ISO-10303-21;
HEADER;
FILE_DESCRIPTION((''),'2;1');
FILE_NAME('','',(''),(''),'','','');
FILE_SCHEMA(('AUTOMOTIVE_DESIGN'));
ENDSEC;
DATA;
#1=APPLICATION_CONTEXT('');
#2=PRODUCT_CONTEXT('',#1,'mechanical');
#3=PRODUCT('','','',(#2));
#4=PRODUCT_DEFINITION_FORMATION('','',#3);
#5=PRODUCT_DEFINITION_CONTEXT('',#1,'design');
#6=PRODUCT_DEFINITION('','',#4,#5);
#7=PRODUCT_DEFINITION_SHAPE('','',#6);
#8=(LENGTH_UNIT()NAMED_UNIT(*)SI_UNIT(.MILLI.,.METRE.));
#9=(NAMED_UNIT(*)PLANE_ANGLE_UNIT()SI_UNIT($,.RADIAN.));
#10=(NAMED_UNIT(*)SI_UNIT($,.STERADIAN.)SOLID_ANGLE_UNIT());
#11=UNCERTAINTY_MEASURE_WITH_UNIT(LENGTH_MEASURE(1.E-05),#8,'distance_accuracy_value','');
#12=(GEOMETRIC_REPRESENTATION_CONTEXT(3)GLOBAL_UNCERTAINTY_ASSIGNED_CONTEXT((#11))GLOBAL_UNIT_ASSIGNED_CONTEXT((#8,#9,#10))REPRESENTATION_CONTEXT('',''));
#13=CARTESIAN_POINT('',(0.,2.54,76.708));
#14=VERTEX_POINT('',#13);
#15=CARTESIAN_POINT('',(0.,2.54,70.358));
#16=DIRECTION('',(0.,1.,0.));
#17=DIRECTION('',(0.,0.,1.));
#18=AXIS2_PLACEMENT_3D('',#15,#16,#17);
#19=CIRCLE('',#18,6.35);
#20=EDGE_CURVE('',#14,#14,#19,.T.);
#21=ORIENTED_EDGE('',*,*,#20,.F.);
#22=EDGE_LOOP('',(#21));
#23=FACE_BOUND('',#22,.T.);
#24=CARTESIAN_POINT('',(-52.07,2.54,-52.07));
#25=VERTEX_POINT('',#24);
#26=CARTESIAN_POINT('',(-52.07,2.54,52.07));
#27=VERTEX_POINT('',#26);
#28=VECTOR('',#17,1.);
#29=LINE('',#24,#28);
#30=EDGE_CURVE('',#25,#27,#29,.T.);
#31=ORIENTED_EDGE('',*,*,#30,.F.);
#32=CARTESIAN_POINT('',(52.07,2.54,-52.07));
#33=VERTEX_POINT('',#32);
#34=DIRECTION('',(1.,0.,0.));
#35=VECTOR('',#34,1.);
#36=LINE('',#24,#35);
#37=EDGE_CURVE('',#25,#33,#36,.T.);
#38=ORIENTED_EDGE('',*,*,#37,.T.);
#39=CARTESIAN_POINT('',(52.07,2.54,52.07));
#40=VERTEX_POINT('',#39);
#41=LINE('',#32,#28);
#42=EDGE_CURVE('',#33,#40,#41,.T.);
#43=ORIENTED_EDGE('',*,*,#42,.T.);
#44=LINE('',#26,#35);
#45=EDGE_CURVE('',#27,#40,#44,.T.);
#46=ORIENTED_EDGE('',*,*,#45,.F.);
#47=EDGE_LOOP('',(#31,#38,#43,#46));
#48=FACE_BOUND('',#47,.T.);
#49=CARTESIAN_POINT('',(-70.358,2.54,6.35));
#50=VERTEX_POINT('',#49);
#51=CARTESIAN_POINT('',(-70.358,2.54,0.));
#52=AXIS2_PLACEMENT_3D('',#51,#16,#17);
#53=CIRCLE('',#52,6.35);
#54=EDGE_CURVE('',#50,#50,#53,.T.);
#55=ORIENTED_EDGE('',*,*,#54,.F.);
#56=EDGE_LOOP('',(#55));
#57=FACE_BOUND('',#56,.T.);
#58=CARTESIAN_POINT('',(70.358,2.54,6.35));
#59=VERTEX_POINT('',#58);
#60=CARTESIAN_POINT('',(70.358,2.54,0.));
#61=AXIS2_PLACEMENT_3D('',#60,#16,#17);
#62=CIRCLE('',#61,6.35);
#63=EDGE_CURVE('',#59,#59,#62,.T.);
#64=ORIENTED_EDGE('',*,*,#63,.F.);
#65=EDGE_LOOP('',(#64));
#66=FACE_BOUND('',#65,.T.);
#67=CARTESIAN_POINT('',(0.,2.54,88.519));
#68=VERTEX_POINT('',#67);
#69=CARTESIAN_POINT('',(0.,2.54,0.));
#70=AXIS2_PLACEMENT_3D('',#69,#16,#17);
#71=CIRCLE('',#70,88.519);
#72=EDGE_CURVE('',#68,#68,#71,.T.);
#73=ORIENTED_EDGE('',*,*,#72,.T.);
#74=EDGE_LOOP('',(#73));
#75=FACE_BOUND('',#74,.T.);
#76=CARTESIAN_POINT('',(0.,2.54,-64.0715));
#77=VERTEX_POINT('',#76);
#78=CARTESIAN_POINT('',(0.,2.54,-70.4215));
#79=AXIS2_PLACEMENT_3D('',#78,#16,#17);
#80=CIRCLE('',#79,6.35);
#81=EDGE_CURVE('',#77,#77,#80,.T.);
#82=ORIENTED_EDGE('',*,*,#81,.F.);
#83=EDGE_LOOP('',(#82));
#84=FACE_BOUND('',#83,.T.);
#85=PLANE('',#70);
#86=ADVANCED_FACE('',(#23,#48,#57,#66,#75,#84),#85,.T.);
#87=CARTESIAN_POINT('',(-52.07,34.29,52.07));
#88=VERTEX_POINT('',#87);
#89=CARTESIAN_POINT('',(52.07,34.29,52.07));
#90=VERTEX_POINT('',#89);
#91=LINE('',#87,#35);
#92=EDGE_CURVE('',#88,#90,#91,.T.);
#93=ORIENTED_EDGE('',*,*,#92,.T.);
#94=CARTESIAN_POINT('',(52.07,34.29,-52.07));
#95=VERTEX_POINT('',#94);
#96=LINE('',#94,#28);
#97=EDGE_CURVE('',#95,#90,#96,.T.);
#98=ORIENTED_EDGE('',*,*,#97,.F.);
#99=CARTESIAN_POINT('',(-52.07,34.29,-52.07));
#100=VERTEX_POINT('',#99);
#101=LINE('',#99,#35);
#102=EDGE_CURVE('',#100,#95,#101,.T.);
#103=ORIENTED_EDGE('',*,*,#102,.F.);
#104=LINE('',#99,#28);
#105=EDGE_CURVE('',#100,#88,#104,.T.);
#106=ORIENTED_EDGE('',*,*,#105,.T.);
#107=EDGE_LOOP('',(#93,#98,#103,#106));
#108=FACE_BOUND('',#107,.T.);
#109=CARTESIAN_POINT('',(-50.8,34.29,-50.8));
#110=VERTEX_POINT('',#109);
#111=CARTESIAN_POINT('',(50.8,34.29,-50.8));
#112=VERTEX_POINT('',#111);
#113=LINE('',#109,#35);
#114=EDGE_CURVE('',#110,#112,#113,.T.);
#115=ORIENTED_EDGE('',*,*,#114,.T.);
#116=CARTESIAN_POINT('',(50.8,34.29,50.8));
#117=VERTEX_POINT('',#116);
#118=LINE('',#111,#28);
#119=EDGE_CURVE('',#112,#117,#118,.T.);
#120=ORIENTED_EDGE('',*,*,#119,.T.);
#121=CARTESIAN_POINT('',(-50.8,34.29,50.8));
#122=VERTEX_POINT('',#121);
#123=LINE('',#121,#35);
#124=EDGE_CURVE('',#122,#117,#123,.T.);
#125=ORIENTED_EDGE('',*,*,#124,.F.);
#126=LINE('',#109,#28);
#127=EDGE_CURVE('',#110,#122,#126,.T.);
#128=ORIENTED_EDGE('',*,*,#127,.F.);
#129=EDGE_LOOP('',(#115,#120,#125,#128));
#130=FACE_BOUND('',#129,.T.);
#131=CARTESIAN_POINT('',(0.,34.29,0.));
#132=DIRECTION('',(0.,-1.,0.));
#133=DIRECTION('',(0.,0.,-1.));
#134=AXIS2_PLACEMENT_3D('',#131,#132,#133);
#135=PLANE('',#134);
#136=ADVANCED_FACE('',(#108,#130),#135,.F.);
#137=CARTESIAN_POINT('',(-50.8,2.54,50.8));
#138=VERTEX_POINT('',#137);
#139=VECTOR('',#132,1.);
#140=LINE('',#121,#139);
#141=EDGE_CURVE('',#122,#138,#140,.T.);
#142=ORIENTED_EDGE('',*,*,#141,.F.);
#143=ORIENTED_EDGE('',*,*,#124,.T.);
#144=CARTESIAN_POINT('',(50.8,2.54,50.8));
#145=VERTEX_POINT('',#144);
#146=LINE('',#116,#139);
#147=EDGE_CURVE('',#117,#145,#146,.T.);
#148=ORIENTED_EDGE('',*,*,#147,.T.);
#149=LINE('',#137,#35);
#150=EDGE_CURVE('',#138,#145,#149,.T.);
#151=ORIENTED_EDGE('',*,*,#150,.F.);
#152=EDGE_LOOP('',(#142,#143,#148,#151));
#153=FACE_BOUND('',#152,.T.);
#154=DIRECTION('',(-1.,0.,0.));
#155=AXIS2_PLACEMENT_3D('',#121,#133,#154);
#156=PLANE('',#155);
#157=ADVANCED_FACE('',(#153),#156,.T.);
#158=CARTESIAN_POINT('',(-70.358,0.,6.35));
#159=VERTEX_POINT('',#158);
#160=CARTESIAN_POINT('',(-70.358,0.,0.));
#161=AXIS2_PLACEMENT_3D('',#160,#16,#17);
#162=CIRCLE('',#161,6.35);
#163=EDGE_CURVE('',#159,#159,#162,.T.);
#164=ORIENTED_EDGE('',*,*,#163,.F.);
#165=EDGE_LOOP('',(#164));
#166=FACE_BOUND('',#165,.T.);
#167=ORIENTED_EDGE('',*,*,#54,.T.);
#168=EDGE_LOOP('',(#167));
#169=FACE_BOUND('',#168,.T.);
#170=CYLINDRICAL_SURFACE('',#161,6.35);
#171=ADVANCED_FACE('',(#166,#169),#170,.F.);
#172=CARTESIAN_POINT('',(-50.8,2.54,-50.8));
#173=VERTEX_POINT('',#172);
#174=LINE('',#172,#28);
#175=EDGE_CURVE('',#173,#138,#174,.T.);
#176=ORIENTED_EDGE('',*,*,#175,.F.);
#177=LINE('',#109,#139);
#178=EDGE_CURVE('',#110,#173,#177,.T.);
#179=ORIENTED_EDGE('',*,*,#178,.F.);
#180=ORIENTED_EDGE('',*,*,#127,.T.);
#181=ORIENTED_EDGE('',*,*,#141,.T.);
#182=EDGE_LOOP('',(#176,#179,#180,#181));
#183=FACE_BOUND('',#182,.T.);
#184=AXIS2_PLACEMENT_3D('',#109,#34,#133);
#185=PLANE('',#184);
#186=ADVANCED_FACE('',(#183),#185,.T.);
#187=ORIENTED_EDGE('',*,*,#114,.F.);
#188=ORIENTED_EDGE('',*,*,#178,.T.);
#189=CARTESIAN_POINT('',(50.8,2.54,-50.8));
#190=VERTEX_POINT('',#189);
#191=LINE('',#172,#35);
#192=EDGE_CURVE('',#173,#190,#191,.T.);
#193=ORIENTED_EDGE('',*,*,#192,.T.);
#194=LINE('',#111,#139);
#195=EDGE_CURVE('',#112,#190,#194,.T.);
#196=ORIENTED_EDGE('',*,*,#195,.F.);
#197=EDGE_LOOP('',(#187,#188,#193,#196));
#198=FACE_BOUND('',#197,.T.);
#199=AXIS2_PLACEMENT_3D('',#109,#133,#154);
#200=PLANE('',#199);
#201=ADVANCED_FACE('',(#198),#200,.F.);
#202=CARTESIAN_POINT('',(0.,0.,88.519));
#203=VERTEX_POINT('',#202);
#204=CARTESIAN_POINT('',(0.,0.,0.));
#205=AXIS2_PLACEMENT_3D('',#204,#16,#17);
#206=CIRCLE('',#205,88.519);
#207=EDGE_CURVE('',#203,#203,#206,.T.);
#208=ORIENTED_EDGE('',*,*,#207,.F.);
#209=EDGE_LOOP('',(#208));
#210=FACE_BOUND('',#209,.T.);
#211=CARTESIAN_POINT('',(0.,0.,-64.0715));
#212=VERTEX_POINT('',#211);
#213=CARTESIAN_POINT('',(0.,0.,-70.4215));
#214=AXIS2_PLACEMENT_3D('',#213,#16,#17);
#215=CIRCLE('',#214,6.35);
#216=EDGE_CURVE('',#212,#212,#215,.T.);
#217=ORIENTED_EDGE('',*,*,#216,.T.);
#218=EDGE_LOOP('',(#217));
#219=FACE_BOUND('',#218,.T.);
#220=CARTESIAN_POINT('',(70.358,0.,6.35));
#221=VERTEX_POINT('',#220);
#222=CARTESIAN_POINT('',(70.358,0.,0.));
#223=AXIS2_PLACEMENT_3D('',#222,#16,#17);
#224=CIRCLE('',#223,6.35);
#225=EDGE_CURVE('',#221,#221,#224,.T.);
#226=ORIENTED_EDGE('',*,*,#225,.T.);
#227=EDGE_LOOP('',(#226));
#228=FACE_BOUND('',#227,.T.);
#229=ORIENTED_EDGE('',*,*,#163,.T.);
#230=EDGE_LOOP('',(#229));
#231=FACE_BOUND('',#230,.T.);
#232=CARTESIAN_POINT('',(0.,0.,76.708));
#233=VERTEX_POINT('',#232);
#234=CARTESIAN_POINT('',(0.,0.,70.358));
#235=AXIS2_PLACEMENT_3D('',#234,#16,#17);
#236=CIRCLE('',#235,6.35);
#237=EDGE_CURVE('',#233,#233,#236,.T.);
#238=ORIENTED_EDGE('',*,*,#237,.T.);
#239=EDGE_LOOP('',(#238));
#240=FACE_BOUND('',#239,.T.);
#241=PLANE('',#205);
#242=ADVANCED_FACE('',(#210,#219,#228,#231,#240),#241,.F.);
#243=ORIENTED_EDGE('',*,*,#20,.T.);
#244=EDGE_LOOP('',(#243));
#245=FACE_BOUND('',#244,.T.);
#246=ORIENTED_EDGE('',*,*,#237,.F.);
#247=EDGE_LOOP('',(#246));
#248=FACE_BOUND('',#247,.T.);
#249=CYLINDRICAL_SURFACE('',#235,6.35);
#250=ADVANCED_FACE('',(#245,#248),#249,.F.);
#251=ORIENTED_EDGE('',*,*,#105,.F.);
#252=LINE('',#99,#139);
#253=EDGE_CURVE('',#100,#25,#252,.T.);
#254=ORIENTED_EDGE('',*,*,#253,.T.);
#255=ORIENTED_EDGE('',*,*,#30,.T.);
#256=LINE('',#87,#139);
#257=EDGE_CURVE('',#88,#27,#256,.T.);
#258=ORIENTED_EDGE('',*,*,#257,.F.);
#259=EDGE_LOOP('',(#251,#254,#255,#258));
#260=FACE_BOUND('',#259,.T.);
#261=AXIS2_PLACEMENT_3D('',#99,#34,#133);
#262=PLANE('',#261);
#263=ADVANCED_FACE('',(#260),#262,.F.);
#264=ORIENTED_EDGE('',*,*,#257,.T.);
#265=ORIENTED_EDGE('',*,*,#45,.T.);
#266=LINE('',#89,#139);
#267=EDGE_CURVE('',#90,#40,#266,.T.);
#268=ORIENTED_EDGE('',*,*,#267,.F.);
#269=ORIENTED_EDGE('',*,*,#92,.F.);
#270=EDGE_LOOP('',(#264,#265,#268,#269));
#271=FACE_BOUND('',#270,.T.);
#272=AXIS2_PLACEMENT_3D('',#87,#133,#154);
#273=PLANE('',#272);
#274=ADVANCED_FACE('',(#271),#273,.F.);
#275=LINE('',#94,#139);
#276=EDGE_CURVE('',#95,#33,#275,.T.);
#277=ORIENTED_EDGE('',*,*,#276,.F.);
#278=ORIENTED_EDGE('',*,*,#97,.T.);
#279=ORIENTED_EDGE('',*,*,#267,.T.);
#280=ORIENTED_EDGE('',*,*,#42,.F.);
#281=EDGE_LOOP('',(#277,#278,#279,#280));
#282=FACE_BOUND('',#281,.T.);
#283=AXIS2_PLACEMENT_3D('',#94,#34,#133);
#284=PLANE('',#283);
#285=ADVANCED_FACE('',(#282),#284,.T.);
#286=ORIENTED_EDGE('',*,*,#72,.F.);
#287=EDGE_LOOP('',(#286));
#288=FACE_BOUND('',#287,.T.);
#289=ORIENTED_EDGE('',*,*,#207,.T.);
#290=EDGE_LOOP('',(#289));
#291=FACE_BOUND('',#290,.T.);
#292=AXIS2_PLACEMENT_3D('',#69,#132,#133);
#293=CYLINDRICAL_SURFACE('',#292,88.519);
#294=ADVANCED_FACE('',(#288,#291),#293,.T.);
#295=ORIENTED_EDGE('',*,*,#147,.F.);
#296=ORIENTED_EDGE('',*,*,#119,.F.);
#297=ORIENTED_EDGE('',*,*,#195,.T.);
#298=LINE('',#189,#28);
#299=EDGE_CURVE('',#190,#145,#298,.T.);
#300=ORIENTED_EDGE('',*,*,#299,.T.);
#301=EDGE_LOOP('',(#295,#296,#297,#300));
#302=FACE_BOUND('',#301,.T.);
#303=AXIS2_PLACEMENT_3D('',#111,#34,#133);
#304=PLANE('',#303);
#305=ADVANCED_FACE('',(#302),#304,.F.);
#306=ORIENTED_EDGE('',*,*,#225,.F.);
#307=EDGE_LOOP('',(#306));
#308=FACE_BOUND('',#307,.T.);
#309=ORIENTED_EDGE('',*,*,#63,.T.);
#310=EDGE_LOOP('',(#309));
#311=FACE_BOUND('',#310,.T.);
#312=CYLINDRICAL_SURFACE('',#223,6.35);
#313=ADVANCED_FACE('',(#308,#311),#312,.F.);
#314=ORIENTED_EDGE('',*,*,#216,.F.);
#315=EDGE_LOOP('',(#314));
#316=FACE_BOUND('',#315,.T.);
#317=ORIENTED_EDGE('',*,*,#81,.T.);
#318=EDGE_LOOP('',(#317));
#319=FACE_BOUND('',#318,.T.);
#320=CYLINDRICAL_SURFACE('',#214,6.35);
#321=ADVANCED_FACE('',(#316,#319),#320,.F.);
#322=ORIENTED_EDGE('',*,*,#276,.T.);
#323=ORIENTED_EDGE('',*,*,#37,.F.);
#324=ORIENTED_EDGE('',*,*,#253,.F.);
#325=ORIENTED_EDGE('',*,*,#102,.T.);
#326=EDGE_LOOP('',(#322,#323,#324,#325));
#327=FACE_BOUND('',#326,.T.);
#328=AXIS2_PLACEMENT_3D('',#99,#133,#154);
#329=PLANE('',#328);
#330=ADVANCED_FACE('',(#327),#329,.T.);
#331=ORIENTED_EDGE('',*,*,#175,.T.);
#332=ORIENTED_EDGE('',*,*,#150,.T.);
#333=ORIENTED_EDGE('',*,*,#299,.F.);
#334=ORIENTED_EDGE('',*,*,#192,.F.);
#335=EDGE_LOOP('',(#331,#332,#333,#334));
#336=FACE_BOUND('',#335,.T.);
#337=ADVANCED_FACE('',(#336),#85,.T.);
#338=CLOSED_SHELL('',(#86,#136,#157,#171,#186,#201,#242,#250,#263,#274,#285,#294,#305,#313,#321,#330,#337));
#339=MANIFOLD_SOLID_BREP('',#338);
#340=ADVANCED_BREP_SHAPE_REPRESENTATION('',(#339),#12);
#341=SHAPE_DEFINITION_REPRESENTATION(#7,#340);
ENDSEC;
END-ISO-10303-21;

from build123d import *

# Parameters (mm, degrees)
SKETCH1_R           = 88.519
BOSS_EXTRUDE1_DEPTH = 2.54
SKETCH3_W           = 104.14
SKETCH3_H           = 104.14
SKETCH3_W_2         = 101.6
SKETCH3_H_2         = 101.6
BOSS_EXTRUDE2_DEPTH = 31.75
SKETCH4_R           = 6.35
CUT_EXTRUDE1_DEPTH  = 130.148322568


with BuildPart() as part:
    # Sketch1 → Boss-Extrude1 (new body)
    with BuildSketch(Plane(origin=(0, 0, 0), x_dir=(1, 0, 0), z_dir=(0, 1, 0))):
        with Locations(Location((0, 0, 0), (0, 0, 270))):
            Circle(SKETCH1_R)
    extrude(amount=BOSS_EXTRUDE1_DEPTH)

    # Sketch3 → Boss-Extrude2 (add)
    with BuildSketch(Plane(origin=(0, 2.54, 0), x_dir=(1, 0, 0), z_dir=(0, 1, 0))):
        Rectangle(SKETCH3_W, SKETCH3_H)
        Rectangle(SKETCH3_W_2, SKETCH3_H_2, mode=Mode.SUBTRACT)
    extrude(amount=BOSS_EXTRUDE2_DEPTH)

    # Sketch4 → Cut-Extrude1 (cut, through all)
    with BuildSketch(Plane(origin=(0, 2.54, 0), x_dir=(1, 0, 0), z_dir=(0, 1, 0))):
        with Locations(Location((0, 70.4215, 0), (0, 0, 270))):
            Circle(SKETCH4_R)
        with Locations(Location((0, -70.358, 0), (0, 0, 270))):
            Circle(SKETCH4_R)
        with Locations(Location((70.358, 0, 0), (0, 0, 270))):
            Circle(SKETCH4_R)
        with Locations(Location((-70.358, 0, 0), (0, 0, 270))):
            Circle(SKETCH4_R)
    extrude(amount=-CUT_EXTRUDE1_DEPTH, mode=Mode.SUBTRACT)


solid = part.part
